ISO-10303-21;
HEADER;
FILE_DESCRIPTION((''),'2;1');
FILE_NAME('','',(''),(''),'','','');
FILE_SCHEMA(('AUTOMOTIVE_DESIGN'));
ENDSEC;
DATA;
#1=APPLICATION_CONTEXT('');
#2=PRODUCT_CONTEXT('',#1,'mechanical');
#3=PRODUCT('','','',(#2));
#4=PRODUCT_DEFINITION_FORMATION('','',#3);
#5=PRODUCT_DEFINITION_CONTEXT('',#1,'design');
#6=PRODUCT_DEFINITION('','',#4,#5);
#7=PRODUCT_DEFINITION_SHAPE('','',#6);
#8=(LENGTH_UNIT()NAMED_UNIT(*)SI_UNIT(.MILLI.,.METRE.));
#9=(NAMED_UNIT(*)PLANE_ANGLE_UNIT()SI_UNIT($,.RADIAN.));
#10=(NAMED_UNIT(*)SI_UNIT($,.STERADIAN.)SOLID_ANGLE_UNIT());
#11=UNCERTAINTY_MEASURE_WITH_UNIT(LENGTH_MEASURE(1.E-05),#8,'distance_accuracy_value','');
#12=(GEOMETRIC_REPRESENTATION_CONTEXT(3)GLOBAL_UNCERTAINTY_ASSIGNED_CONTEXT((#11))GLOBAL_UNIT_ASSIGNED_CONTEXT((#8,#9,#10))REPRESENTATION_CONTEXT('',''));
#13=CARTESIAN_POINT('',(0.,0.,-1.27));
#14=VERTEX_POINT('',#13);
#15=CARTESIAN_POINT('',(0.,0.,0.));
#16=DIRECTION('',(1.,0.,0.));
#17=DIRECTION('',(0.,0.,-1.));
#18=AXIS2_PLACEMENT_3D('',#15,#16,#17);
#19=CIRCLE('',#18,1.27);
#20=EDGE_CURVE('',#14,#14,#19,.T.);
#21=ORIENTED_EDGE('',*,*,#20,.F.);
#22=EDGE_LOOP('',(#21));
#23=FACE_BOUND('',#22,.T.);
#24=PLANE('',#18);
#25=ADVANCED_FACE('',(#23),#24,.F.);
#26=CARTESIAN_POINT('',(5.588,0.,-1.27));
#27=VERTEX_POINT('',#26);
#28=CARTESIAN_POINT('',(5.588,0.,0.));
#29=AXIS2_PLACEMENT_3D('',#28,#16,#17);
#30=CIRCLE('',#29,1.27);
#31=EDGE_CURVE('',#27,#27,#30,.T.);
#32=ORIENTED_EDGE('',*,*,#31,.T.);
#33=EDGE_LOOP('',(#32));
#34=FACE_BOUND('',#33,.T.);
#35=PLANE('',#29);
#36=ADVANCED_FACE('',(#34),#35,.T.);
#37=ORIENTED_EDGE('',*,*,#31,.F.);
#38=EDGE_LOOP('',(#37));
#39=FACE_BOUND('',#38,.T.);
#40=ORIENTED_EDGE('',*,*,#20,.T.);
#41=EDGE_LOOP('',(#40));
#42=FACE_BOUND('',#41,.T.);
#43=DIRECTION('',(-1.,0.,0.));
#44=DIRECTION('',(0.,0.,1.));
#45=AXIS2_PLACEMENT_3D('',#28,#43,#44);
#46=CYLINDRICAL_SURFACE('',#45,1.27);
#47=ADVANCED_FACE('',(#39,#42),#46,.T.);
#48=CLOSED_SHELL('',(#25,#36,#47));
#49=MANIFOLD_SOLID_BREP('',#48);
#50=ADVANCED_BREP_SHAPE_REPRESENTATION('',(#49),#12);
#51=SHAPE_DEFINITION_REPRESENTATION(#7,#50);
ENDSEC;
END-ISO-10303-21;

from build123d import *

# Parameters (mm, degrees)
SKETCH1_R           = 1.27
BOSS_EXTRUDE1_DEPTH = 5.588


with BuildPart() as part:
    # Sketch1 → Boss-Extrude1 (new body)
    with BuildSketch(Plane(origin=(0, 0, 0), x_dir=(0, 0, -1), z_dir=(1, 0, 0))):
        Circle(SKETCH1_R)
    extrude(amount=BOSS_EXTRUDE1_DEPTH)


solid = part.part
